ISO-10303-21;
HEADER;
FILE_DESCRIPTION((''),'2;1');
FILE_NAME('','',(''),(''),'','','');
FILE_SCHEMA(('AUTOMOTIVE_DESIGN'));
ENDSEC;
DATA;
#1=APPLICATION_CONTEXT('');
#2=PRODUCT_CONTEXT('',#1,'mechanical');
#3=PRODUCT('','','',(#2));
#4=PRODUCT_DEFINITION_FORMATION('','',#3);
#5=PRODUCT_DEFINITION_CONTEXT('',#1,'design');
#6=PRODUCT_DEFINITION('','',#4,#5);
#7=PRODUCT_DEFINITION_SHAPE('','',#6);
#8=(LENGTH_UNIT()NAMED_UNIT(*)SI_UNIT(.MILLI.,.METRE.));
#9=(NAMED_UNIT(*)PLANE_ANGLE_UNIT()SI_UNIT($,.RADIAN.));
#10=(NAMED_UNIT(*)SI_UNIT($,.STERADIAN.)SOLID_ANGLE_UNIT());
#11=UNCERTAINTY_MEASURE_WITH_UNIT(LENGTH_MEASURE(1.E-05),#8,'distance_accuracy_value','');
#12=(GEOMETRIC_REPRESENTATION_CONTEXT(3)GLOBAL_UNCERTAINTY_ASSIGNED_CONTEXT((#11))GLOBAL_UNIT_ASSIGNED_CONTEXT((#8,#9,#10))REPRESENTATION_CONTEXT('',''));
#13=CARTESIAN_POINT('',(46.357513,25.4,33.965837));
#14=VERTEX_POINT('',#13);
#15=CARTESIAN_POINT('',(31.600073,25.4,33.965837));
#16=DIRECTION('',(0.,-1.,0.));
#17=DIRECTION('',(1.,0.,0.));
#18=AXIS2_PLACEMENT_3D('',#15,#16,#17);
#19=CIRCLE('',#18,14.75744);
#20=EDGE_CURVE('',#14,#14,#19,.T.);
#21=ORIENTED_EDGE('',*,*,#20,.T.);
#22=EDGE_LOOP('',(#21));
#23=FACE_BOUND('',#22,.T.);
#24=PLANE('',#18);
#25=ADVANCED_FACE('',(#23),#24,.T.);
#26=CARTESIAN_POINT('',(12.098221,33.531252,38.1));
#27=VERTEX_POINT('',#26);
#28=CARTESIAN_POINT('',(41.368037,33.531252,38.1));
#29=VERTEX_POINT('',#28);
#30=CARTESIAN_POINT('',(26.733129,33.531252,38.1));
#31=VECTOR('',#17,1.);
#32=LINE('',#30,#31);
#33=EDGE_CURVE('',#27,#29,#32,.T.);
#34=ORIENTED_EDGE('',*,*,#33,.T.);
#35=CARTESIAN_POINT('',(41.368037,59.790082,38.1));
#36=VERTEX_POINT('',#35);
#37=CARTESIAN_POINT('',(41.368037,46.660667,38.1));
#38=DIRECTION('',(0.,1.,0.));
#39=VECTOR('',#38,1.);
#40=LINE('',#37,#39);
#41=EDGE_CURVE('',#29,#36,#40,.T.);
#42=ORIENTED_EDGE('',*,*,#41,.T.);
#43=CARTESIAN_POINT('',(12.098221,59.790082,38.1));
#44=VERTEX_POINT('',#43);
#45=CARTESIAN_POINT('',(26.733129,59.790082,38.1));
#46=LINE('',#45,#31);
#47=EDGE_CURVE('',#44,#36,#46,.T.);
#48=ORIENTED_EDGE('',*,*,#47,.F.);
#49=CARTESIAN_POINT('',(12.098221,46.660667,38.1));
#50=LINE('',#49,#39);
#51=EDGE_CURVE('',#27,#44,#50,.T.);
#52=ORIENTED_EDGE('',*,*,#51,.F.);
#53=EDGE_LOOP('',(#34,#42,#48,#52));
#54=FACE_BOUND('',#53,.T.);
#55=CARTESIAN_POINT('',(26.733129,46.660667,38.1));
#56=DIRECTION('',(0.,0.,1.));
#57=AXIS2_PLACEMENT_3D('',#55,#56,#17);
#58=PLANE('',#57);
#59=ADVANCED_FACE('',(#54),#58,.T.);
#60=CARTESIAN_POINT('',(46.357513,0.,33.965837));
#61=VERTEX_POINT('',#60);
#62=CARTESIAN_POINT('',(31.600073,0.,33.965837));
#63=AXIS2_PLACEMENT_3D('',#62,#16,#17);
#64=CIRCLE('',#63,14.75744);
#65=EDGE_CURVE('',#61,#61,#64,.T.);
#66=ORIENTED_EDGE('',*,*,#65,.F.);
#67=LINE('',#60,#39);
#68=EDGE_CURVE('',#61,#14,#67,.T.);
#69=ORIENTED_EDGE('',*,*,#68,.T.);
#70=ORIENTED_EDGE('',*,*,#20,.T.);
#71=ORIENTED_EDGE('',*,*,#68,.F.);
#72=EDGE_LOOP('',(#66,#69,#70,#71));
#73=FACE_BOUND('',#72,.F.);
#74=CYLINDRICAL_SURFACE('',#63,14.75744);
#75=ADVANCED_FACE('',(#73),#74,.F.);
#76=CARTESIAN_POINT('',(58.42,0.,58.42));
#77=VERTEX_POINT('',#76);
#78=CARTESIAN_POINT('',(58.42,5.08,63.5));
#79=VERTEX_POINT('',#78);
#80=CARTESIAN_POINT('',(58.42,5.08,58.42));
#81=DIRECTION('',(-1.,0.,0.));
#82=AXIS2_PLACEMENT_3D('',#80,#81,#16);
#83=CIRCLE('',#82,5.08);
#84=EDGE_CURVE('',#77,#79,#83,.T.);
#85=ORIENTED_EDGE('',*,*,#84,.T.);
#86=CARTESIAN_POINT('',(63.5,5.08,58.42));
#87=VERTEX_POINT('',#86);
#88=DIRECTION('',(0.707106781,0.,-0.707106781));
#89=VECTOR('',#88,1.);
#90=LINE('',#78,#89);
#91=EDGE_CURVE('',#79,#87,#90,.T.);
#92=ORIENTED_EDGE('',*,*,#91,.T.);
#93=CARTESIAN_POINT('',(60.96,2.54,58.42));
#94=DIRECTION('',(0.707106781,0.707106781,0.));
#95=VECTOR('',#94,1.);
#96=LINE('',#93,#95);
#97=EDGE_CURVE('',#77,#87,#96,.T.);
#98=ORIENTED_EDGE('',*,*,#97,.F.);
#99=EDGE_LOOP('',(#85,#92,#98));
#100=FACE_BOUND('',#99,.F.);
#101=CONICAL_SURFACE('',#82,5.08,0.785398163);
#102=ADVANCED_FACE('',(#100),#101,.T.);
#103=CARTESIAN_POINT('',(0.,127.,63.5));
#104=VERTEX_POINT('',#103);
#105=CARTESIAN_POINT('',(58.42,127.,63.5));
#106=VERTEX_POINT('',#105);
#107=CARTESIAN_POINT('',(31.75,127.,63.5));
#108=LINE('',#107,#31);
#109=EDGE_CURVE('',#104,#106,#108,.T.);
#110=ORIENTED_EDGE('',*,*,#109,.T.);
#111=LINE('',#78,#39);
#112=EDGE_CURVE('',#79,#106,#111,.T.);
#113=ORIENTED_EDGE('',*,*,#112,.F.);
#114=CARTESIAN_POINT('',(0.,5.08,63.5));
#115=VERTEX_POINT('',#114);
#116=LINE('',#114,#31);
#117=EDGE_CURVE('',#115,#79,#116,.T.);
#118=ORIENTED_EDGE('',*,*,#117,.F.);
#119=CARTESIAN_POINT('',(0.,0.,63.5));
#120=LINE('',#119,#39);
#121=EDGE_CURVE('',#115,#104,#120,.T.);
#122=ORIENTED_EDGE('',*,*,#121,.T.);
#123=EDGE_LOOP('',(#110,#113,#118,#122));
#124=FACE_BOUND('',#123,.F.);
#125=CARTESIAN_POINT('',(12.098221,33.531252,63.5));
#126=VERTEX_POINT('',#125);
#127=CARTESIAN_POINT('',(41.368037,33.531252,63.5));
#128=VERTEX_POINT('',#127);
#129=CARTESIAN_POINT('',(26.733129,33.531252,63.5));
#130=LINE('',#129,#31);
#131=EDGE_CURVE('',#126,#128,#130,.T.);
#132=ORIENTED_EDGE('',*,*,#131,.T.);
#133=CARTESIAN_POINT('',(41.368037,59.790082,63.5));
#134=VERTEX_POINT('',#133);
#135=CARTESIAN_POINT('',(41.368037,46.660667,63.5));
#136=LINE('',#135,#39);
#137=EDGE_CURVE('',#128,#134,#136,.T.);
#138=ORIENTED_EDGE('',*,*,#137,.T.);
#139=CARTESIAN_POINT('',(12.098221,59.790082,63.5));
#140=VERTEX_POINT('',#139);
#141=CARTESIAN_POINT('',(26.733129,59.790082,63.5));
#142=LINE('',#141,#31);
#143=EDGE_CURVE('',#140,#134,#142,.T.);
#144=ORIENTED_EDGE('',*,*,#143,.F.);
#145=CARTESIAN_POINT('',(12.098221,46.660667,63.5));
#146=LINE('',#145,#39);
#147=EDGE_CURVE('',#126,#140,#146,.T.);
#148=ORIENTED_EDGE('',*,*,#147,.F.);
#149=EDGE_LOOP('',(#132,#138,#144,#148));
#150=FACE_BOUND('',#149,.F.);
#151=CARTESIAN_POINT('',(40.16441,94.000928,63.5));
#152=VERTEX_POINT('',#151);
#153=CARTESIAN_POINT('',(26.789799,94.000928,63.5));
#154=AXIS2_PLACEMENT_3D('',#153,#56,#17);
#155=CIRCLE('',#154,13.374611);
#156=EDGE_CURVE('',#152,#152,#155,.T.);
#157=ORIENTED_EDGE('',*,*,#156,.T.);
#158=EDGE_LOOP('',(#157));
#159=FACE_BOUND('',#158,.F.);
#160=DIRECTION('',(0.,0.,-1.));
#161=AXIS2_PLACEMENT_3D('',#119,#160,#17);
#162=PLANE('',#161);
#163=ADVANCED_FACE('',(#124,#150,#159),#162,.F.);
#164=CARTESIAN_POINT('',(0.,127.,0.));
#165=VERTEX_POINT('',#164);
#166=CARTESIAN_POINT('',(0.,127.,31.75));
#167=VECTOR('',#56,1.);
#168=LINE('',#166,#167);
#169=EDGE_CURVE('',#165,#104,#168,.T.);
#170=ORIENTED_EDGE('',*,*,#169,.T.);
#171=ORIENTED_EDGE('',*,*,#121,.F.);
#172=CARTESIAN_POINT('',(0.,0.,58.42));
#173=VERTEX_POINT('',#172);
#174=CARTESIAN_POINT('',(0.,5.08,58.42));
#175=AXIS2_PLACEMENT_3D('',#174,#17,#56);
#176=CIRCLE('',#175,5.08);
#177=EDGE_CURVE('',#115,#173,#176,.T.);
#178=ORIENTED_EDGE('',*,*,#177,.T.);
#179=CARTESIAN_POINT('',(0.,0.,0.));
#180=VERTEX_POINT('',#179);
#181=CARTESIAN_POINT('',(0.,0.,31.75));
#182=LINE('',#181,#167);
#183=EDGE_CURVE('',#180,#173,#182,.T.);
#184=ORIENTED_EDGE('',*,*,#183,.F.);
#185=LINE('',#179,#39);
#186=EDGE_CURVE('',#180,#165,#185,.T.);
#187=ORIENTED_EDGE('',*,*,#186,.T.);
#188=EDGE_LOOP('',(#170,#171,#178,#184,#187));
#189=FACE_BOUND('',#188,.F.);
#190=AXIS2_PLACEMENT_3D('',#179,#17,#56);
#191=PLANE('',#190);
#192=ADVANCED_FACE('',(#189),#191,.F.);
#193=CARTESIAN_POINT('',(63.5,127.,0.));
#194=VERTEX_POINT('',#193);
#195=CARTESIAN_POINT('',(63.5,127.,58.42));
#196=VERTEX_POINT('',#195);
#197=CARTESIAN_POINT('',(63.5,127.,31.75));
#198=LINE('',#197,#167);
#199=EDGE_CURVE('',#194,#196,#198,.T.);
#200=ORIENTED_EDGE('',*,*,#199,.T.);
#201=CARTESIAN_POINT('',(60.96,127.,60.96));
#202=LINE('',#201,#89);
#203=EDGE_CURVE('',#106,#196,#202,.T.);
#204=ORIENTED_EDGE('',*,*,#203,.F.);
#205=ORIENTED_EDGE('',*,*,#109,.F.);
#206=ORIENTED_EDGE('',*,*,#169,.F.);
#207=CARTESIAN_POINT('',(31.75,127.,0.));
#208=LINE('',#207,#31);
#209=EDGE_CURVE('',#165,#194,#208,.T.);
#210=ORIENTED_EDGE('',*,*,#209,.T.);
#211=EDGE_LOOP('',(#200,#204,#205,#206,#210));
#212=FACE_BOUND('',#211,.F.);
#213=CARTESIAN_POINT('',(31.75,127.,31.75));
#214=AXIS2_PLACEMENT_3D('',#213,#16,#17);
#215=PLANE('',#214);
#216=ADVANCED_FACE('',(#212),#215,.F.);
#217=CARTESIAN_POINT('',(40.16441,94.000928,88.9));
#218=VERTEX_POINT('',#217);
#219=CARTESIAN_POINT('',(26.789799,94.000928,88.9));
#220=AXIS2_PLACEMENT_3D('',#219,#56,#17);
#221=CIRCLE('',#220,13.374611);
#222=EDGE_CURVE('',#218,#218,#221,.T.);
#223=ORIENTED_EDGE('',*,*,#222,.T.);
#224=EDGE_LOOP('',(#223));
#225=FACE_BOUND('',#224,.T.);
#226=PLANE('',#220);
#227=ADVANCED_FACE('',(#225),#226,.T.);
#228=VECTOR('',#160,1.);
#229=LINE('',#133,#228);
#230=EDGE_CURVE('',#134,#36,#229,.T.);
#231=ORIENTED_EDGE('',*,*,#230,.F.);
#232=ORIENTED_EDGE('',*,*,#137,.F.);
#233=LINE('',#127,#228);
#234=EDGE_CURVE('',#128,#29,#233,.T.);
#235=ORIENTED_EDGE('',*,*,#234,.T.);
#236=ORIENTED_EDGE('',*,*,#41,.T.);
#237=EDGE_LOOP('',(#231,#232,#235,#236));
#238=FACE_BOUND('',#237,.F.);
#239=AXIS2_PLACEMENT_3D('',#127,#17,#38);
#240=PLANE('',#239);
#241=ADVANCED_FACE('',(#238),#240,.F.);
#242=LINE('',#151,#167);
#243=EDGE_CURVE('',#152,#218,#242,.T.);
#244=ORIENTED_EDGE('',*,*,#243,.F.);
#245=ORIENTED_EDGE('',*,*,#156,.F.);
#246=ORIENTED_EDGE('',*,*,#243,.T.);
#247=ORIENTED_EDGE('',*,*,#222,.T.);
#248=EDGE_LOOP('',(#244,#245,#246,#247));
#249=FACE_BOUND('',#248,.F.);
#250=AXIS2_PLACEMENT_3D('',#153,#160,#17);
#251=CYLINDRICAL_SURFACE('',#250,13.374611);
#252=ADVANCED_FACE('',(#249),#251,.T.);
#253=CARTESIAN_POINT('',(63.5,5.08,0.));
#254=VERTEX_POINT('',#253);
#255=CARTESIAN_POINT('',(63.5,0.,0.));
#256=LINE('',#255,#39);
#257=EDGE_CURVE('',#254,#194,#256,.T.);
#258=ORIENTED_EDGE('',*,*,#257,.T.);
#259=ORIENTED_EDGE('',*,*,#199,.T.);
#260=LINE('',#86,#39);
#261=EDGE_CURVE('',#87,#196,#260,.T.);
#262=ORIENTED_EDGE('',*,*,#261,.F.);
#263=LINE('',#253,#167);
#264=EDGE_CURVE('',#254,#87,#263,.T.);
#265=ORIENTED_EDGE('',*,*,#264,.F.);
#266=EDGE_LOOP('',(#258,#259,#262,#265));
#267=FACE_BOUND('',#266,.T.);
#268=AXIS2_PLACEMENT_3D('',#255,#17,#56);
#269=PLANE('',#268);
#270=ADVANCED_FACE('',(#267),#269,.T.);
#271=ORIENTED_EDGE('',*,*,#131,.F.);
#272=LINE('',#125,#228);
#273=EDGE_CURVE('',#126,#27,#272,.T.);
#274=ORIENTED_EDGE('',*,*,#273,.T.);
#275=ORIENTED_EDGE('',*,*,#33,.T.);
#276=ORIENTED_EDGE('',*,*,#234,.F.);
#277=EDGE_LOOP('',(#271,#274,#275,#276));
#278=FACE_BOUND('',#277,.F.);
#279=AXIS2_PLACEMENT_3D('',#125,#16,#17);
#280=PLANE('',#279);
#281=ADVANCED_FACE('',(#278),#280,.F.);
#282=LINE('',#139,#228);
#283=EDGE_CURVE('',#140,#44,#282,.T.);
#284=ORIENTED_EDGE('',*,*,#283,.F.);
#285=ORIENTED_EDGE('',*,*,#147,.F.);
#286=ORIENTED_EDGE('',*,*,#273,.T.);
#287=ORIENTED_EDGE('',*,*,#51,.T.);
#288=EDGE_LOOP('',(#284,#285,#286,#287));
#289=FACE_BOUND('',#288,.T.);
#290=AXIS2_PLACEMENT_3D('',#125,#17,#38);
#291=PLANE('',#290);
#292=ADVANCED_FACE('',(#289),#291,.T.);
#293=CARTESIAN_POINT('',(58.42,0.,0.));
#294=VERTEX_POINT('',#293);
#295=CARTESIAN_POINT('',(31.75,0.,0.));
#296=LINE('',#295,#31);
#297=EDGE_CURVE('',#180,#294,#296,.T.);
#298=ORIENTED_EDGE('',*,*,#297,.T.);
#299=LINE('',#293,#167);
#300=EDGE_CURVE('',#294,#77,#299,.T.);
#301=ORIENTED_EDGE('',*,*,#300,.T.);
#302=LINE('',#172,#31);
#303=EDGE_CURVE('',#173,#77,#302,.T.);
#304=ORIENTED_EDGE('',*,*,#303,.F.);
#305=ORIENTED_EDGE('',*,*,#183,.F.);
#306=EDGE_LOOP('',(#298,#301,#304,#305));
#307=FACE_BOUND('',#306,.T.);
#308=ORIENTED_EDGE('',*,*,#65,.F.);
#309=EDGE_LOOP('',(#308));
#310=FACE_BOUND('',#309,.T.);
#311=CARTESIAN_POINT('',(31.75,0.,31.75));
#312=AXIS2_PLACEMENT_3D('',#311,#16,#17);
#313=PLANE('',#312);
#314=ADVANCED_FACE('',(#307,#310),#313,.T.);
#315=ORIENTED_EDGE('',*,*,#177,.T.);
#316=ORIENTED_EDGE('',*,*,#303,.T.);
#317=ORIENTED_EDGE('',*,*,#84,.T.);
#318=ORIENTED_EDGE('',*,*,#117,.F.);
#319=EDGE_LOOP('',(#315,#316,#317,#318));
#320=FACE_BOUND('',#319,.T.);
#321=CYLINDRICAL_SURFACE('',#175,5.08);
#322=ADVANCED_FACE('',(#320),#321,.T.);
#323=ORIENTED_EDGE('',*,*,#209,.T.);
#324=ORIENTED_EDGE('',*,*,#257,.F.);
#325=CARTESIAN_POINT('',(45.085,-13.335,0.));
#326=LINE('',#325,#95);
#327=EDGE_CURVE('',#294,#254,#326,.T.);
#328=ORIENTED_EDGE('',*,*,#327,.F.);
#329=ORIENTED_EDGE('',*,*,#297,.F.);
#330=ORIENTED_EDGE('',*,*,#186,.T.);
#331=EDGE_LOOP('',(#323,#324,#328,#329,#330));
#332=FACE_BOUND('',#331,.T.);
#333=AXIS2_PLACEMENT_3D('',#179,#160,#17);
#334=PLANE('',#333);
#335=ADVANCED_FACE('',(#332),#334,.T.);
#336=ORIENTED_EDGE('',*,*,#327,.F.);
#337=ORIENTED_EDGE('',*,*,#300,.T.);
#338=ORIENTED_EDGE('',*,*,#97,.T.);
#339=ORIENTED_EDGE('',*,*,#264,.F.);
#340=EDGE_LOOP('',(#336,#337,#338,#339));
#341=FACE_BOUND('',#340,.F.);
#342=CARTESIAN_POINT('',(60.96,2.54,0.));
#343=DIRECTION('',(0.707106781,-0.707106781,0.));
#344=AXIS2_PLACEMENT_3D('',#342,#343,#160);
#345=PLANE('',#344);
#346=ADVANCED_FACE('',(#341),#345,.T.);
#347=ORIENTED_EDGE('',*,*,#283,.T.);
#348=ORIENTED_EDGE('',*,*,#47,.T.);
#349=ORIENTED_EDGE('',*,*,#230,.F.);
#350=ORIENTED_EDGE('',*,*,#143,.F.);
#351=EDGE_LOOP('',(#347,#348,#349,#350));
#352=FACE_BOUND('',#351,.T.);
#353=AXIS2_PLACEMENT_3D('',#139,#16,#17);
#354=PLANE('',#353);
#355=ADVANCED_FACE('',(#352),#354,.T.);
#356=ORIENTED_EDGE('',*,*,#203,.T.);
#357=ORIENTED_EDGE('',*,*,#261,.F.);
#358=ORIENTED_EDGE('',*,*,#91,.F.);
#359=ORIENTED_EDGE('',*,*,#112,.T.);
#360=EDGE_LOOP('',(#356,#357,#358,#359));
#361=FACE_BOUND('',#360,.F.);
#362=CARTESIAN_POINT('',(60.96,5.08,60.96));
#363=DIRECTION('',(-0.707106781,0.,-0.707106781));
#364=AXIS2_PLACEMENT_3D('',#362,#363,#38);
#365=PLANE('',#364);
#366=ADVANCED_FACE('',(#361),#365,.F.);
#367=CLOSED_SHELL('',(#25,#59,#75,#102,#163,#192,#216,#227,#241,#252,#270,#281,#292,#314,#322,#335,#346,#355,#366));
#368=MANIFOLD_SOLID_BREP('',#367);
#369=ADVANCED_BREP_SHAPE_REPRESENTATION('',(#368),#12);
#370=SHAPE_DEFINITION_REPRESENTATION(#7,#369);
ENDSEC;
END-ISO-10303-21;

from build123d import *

# Parameters (mm, degrees)
F0_W     = 63.5
F0_H     = 63.5
F1_DEPTH = 127
F2_R     = 5.08
F3_SIZE  = 5.08
F4_W     = 29.269816
F4_H     = 26.25883
F5_DEPTH = 25.4
F4_R     = 13.374611
F6_DEPTH = 25.4
F7_R     = 14.75744
F8_DEPTH = 25.4


with BuildPart() as f1:
    # F0 (on Front) → F1 (new body)
    with BuildSketch(Plane.XZ):
        with Locations((31.75, 31.75)):
            Rectangle(F0_W, F0_H)
    extrude(amount=-F1_DEPTH)

    # F2
    f2_edges = [f1.edges().sort_by_distance(p)[0] for p in [
        (31.75, 0, 63.5),
    ]]
    fillet(f2_edges, radius=F2_R)

    # F3
    f3_edges = [f1.edges().sort_by_distance(p)[0] for p in [
        (63.5, 66.04, 63.5),
        (63.5, 0, 29.21),
    ]]
    chamfer(f3_edges, length=F3_SIZE)

    # F4 (on face) → F5 (cut)
    with BuildSketch(Plane.XY.offset(63.5)):
        with Locations((26.733129, 46.660667)):
            Rectangle(F4_W, F4_H)
    extrude(amount=-F5_DEPTH, mode=Mode.SUBTRACT)

    # F4 (on face) → F6 (join)
    with BuildSketch(Plane.XY.offset(63.5)):
        with Locations((26.789799, 94.000928)):
            Circle(F4_R)
    extrude(amount=F6_DEPTH)

    # F7 (on face) → F8 (cut)
    with BuildSketch(Plane.XZ):
        with Locations((31.600073, 33.965837)):
            Circle(F7_R)
    extrude(amount=-F8_DEPTH, mode=Mode.SUBTRACT)


solid = f1.part
